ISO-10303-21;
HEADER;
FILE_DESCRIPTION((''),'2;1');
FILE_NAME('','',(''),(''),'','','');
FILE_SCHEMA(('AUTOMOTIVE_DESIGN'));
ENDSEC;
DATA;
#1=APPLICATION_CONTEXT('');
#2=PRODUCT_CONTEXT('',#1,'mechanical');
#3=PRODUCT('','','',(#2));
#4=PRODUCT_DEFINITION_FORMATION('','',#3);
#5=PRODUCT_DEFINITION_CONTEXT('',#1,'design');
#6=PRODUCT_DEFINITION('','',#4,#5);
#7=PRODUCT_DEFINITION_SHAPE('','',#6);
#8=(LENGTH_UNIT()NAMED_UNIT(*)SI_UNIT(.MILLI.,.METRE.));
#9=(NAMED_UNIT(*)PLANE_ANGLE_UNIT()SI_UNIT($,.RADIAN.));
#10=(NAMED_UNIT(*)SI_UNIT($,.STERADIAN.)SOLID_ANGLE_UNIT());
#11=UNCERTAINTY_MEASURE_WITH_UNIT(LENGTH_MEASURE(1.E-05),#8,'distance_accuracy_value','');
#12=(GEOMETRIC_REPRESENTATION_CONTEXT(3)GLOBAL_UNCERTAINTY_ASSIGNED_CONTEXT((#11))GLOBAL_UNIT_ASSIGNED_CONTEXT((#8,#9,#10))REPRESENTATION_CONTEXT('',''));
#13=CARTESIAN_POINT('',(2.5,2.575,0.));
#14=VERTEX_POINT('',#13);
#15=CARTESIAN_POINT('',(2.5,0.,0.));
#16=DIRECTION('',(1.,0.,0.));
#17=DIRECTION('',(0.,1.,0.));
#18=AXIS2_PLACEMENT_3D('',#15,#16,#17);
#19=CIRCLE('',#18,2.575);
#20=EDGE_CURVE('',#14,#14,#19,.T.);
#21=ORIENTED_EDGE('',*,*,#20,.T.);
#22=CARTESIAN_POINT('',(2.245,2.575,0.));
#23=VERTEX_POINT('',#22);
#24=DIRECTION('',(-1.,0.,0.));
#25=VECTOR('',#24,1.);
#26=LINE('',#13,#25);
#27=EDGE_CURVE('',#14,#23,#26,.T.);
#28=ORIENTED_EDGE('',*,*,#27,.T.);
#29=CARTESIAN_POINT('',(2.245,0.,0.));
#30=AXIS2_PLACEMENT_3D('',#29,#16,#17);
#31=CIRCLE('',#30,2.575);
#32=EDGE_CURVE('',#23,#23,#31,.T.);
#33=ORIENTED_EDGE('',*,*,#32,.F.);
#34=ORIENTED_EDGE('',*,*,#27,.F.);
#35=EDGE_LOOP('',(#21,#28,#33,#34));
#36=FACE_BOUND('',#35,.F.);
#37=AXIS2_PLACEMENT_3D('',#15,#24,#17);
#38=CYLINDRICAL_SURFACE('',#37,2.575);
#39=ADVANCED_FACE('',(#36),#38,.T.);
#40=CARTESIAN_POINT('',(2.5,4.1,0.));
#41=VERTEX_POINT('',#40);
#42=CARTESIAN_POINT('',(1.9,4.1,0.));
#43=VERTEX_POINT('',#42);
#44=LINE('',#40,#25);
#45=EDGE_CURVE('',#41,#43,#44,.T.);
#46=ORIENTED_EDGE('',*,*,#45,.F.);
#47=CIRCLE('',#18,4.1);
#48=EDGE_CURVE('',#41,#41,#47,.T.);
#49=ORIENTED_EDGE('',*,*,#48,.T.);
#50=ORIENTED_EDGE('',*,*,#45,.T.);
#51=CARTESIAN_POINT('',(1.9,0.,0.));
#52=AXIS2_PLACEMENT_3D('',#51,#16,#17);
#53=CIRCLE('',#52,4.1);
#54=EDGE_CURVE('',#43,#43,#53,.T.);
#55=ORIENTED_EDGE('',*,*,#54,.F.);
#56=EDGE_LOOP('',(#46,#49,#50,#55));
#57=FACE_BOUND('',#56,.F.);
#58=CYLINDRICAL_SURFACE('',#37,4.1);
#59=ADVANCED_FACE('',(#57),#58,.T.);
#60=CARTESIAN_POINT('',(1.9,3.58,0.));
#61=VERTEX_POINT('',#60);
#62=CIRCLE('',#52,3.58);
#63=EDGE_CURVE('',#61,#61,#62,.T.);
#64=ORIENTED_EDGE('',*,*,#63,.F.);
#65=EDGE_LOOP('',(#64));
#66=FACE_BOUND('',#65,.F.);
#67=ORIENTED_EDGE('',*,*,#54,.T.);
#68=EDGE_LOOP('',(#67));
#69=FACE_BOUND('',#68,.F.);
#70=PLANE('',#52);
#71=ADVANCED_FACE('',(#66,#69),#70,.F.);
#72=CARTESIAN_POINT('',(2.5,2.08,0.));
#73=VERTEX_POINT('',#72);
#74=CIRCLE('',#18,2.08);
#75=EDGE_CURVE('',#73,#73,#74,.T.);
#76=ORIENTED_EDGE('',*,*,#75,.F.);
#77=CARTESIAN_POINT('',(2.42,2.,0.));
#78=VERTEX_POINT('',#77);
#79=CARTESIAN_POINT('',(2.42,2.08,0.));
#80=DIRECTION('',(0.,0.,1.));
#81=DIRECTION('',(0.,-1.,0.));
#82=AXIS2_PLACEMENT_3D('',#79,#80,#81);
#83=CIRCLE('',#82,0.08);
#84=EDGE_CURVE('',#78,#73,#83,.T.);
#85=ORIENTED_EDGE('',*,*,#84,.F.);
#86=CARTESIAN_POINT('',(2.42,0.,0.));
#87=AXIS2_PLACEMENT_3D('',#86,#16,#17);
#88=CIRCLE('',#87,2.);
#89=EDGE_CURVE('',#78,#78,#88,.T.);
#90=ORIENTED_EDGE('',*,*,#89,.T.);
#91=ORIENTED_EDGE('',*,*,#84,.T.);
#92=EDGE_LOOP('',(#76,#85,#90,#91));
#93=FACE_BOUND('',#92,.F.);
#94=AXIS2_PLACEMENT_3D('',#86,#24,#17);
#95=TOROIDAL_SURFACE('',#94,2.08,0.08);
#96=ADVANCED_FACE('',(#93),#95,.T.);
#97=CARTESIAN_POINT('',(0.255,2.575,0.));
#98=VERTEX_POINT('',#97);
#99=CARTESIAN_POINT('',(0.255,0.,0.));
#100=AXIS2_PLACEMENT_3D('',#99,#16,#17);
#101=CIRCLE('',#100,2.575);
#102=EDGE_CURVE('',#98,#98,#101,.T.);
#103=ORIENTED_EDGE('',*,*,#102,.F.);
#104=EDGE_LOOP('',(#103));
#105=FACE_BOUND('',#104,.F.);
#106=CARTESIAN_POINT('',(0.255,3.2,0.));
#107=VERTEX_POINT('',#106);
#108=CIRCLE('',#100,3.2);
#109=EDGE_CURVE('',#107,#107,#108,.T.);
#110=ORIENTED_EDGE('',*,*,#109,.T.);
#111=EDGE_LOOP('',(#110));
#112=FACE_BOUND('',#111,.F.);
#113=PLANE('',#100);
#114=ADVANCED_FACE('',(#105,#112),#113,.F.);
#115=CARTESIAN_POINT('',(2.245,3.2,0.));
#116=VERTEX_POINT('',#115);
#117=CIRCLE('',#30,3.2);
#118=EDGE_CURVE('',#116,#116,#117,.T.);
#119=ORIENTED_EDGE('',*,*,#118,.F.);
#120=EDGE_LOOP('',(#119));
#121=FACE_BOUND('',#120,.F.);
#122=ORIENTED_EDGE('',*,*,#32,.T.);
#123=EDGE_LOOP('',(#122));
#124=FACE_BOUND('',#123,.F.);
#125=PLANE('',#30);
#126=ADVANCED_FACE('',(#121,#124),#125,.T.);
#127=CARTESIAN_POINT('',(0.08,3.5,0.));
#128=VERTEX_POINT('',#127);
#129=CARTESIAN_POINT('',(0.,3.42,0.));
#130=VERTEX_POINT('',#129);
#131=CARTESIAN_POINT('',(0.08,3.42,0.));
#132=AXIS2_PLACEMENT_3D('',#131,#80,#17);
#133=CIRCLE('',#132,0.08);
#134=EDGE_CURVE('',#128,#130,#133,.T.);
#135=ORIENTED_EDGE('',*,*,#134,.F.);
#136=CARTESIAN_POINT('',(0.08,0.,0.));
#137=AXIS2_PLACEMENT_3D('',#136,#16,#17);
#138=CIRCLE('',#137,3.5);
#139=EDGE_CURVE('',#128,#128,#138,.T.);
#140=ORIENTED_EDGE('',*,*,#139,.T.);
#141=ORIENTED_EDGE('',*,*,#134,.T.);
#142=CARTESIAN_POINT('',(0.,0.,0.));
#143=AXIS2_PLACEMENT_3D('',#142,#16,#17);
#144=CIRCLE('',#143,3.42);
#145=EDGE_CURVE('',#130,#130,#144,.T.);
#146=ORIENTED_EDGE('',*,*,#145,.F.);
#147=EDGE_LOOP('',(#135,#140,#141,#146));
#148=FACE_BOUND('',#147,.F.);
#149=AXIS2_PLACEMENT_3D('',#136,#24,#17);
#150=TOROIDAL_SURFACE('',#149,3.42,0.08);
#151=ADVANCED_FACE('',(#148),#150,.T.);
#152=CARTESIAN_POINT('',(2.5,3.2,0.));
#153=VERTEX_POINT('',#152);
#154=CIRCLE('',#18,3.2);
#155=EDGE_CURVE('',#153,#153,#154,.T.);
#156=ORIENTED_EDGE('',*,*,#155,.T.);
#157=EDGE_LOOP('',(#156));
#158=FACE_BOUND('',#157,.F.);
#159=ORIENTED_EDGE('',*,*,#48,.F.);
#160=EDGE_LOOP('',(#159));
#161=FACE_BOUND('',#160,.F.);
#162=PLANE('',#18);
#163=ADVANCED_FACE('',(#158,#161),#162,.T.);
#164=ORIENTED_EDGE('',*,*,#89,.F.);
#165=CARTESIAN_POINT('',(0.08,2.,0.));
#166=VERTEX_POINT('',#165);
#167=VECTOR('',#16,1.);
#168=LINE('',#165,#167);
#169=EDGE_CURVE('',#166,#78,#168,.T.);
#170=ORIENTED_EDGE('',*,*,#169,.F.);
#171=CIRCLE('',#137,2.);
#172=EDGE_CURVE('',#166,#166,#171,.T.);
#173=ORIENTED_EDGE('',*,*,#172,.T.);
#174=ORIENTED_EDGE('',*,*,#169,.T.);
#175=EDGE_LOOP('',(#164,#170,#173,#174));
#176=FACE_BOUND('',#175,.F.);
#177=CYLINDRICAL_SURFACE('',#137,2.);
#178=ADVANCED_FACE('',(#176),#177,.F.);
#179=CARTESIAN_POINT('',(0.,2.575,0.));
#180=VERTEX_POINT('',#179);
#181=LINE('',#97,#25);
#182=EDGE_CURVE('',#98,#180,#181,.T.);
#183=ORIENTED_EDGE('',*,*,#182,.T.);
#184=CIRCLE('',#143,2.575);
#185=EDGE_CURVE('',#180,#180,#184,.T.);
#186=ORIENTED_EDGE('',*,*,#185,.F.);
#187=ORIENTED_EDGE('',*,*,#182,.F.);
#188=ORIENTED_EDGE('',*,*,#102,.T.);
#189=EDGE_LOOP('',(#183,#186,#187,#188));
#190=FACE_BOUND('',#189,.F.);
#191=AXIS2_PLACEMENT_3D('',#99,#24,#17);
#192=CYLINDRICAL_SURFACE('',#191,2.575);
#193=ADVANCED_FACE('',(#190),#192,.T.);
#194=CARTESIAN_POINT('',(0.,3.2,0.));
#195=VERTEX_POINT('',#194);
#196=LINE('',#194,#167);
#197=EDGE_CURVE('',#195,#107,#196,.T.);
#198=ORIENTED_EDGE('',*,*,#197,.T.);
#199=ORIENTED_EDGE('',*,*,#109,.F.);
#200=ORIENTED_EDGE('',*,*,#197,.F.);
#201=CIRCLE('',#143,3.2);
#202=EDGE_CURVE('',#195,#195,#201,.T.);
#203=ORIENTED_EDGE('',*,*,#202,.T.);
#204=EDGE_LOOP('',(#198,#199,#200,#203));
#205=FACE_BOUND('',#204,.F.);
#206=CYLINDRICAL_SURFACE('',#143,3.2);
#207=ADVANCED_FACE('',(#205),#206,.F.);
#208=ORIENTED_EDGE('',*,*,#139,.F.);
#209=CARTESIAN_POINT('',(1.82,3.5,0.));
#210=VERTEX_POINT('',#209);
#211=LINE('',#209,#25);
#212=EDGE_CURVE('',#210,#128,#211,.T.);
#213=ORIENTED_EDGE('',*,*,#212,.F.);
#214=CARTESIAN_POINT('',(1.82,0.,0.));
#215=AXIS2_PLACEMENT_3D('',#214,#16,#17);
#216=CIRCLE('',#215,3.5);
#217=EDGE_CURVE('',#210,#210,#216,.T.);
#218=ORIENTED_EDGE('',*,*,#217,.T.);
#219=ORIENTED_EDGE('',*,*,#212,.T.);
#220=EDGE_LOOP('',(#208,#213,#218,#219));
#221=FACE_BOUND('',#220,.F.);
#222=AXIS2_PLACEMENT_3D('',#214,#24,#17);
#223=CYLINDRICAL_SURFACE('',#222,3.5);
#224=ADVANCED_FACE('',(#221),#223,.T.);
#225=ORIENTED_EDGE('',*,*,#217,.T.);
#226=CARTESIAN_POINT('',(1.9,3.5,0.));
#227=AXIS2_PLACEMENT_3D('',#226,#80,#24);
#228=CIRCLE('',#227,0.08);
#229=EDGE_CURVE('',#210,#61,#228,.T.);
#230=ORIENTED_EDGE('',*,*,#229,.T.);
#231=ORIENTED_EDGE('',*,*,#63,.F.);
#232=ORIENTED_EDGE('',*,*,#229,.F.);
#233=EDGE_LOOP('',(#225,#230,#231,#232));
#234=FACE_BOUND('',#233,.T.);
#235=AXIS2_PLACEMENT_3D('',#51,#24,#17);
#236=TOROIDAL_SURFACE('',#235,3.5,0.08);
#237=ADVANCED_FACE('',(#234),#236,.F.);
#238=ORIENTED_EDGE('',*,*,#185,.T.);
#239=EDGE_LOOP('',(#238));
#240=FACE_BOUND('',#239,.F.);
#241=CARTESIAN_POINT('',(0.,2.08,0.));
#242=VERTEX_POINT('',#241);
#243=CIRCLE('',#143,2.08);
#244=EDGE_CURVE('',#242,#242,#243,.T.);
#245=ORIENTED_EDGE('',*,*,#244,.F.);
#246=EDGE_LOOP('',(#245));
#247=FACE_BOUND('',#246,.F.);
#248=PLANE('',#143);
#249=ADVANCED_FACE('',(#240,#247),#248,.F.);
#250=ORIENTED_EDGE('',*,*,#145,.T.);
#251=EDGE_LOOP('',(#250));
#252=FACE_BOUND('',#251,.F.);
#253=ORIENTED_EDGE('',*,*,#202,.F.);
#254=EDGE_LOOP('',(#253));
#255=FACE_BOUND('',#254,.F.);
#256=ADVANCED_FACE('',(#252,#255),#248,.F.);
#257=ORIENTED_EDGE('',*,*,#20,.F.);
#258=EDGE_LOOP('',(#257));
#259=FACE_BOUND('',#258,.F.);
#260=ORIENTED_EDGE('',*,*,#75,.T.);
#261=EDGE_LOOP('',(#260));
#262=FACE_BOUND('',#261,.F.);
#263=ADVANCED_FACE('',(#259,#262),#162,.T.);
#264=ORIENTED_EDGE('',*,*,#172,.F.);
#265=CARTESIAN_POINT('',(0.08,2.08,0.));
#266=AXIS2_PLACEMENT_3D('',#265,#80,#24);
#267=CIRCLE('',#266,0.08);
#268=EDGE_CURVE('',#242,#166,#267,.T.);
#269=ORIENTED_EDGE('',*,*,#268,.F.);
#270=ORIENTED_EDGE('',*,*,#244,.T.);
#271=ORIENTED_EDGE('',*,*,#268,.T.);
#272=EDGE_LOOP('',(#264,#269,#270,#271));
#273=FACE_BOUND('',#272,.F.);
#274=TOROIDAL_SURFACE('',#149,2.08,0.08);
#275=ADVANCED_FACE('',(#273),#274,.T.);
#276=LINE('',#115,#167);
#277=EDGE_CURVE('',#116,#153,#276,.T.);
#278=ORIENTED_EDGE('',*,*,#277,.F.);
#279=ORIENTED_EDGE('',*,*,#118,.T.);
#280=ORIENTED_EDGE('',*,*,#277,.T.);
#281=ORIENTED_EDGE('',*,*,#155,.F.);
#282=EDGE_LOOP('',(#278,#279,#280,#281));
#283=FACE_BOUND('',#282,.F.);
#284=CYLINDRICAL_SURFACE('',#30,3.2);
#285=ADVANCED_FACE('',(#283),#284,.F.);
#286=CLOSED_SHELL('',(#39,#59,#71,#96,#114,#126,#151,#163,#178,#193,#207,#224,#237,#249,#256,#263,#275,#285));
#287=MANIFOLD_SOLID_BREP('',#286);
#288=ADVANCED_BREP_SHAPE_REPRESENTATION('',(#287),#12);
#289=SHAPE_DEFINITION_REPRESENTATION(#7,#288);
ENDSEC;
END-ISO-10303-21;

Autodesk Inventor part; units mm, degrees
sketch "Sketch_1" plane through (0, 0, 0) normal (0, 0, 1) x (1, 0, 0)
  line L0 (7, 0) -> (-7, 0)
  arc A0 (0, 2.08) -> (0.08, 2) centre (0.08, 2.08) ccw
  line L1 (0.08, 2) -> (2.42, 2)
  arc A1 (2.42, 2) -> (2.5, 2.08) centre (2.42, 2.08) ccw
  line L2 (2.5, 2.08) -> (2.5, 2.575)
  line L3 (2.5, 2.575) -> (2.245, 2.575)
  line L4 (2.245, 2.575) -> (2.245, 3.2)
  line L5 (2.245, 3.2) -> (2.5, 3.2)
  line L6 (2.5, 3.2) -> (2.5, 4.1)
  line L7 (2.5, 4.1) -> (1.9, 4.1)
  line L8 (1.9, 4.1) -> (1.9, 3.58)
  arc A2 (1.82, 3.5) -> (1.9, 3.58) centre (1.9, 3.5) ccw
  line L9 (1.82, 3.5) -> (0.08, 3.5)
  arc A3 (0.08, 3.5) -> (0, 3.42) centre (0.08, 3.42) ccw
  line L10 (0, 3.42) -> (0, 3.2)
  line L11 (0, 3.2) -> (0.255, 3.2)
  line L12 (0.255, 3.2) -> (0.255, 2.575)
  line L13 (0.255, 2.575) -> (0, 2.575)
  line L14 (0, 2.575) -> (0, 2.08)
revolve "Revolution1" add sketch "Sketch_1" angle 360 about axis through (7, 0, 0) along (1, 0, 0)
ref_plane "to_housing_XY" through (0, 0, 0) normal (1, 0, 0) x (0, 0, -1)
ref_plane "to_housing_YZ" through (0, 0, 0) normal (0, 0, -1) x (0, 1, 0)
ref_plane "to_housing_ZX" through (0, 0, 0) normal (0, 1, 0) x (1, 0, 0)
properties part number "SFL674ZZ"
